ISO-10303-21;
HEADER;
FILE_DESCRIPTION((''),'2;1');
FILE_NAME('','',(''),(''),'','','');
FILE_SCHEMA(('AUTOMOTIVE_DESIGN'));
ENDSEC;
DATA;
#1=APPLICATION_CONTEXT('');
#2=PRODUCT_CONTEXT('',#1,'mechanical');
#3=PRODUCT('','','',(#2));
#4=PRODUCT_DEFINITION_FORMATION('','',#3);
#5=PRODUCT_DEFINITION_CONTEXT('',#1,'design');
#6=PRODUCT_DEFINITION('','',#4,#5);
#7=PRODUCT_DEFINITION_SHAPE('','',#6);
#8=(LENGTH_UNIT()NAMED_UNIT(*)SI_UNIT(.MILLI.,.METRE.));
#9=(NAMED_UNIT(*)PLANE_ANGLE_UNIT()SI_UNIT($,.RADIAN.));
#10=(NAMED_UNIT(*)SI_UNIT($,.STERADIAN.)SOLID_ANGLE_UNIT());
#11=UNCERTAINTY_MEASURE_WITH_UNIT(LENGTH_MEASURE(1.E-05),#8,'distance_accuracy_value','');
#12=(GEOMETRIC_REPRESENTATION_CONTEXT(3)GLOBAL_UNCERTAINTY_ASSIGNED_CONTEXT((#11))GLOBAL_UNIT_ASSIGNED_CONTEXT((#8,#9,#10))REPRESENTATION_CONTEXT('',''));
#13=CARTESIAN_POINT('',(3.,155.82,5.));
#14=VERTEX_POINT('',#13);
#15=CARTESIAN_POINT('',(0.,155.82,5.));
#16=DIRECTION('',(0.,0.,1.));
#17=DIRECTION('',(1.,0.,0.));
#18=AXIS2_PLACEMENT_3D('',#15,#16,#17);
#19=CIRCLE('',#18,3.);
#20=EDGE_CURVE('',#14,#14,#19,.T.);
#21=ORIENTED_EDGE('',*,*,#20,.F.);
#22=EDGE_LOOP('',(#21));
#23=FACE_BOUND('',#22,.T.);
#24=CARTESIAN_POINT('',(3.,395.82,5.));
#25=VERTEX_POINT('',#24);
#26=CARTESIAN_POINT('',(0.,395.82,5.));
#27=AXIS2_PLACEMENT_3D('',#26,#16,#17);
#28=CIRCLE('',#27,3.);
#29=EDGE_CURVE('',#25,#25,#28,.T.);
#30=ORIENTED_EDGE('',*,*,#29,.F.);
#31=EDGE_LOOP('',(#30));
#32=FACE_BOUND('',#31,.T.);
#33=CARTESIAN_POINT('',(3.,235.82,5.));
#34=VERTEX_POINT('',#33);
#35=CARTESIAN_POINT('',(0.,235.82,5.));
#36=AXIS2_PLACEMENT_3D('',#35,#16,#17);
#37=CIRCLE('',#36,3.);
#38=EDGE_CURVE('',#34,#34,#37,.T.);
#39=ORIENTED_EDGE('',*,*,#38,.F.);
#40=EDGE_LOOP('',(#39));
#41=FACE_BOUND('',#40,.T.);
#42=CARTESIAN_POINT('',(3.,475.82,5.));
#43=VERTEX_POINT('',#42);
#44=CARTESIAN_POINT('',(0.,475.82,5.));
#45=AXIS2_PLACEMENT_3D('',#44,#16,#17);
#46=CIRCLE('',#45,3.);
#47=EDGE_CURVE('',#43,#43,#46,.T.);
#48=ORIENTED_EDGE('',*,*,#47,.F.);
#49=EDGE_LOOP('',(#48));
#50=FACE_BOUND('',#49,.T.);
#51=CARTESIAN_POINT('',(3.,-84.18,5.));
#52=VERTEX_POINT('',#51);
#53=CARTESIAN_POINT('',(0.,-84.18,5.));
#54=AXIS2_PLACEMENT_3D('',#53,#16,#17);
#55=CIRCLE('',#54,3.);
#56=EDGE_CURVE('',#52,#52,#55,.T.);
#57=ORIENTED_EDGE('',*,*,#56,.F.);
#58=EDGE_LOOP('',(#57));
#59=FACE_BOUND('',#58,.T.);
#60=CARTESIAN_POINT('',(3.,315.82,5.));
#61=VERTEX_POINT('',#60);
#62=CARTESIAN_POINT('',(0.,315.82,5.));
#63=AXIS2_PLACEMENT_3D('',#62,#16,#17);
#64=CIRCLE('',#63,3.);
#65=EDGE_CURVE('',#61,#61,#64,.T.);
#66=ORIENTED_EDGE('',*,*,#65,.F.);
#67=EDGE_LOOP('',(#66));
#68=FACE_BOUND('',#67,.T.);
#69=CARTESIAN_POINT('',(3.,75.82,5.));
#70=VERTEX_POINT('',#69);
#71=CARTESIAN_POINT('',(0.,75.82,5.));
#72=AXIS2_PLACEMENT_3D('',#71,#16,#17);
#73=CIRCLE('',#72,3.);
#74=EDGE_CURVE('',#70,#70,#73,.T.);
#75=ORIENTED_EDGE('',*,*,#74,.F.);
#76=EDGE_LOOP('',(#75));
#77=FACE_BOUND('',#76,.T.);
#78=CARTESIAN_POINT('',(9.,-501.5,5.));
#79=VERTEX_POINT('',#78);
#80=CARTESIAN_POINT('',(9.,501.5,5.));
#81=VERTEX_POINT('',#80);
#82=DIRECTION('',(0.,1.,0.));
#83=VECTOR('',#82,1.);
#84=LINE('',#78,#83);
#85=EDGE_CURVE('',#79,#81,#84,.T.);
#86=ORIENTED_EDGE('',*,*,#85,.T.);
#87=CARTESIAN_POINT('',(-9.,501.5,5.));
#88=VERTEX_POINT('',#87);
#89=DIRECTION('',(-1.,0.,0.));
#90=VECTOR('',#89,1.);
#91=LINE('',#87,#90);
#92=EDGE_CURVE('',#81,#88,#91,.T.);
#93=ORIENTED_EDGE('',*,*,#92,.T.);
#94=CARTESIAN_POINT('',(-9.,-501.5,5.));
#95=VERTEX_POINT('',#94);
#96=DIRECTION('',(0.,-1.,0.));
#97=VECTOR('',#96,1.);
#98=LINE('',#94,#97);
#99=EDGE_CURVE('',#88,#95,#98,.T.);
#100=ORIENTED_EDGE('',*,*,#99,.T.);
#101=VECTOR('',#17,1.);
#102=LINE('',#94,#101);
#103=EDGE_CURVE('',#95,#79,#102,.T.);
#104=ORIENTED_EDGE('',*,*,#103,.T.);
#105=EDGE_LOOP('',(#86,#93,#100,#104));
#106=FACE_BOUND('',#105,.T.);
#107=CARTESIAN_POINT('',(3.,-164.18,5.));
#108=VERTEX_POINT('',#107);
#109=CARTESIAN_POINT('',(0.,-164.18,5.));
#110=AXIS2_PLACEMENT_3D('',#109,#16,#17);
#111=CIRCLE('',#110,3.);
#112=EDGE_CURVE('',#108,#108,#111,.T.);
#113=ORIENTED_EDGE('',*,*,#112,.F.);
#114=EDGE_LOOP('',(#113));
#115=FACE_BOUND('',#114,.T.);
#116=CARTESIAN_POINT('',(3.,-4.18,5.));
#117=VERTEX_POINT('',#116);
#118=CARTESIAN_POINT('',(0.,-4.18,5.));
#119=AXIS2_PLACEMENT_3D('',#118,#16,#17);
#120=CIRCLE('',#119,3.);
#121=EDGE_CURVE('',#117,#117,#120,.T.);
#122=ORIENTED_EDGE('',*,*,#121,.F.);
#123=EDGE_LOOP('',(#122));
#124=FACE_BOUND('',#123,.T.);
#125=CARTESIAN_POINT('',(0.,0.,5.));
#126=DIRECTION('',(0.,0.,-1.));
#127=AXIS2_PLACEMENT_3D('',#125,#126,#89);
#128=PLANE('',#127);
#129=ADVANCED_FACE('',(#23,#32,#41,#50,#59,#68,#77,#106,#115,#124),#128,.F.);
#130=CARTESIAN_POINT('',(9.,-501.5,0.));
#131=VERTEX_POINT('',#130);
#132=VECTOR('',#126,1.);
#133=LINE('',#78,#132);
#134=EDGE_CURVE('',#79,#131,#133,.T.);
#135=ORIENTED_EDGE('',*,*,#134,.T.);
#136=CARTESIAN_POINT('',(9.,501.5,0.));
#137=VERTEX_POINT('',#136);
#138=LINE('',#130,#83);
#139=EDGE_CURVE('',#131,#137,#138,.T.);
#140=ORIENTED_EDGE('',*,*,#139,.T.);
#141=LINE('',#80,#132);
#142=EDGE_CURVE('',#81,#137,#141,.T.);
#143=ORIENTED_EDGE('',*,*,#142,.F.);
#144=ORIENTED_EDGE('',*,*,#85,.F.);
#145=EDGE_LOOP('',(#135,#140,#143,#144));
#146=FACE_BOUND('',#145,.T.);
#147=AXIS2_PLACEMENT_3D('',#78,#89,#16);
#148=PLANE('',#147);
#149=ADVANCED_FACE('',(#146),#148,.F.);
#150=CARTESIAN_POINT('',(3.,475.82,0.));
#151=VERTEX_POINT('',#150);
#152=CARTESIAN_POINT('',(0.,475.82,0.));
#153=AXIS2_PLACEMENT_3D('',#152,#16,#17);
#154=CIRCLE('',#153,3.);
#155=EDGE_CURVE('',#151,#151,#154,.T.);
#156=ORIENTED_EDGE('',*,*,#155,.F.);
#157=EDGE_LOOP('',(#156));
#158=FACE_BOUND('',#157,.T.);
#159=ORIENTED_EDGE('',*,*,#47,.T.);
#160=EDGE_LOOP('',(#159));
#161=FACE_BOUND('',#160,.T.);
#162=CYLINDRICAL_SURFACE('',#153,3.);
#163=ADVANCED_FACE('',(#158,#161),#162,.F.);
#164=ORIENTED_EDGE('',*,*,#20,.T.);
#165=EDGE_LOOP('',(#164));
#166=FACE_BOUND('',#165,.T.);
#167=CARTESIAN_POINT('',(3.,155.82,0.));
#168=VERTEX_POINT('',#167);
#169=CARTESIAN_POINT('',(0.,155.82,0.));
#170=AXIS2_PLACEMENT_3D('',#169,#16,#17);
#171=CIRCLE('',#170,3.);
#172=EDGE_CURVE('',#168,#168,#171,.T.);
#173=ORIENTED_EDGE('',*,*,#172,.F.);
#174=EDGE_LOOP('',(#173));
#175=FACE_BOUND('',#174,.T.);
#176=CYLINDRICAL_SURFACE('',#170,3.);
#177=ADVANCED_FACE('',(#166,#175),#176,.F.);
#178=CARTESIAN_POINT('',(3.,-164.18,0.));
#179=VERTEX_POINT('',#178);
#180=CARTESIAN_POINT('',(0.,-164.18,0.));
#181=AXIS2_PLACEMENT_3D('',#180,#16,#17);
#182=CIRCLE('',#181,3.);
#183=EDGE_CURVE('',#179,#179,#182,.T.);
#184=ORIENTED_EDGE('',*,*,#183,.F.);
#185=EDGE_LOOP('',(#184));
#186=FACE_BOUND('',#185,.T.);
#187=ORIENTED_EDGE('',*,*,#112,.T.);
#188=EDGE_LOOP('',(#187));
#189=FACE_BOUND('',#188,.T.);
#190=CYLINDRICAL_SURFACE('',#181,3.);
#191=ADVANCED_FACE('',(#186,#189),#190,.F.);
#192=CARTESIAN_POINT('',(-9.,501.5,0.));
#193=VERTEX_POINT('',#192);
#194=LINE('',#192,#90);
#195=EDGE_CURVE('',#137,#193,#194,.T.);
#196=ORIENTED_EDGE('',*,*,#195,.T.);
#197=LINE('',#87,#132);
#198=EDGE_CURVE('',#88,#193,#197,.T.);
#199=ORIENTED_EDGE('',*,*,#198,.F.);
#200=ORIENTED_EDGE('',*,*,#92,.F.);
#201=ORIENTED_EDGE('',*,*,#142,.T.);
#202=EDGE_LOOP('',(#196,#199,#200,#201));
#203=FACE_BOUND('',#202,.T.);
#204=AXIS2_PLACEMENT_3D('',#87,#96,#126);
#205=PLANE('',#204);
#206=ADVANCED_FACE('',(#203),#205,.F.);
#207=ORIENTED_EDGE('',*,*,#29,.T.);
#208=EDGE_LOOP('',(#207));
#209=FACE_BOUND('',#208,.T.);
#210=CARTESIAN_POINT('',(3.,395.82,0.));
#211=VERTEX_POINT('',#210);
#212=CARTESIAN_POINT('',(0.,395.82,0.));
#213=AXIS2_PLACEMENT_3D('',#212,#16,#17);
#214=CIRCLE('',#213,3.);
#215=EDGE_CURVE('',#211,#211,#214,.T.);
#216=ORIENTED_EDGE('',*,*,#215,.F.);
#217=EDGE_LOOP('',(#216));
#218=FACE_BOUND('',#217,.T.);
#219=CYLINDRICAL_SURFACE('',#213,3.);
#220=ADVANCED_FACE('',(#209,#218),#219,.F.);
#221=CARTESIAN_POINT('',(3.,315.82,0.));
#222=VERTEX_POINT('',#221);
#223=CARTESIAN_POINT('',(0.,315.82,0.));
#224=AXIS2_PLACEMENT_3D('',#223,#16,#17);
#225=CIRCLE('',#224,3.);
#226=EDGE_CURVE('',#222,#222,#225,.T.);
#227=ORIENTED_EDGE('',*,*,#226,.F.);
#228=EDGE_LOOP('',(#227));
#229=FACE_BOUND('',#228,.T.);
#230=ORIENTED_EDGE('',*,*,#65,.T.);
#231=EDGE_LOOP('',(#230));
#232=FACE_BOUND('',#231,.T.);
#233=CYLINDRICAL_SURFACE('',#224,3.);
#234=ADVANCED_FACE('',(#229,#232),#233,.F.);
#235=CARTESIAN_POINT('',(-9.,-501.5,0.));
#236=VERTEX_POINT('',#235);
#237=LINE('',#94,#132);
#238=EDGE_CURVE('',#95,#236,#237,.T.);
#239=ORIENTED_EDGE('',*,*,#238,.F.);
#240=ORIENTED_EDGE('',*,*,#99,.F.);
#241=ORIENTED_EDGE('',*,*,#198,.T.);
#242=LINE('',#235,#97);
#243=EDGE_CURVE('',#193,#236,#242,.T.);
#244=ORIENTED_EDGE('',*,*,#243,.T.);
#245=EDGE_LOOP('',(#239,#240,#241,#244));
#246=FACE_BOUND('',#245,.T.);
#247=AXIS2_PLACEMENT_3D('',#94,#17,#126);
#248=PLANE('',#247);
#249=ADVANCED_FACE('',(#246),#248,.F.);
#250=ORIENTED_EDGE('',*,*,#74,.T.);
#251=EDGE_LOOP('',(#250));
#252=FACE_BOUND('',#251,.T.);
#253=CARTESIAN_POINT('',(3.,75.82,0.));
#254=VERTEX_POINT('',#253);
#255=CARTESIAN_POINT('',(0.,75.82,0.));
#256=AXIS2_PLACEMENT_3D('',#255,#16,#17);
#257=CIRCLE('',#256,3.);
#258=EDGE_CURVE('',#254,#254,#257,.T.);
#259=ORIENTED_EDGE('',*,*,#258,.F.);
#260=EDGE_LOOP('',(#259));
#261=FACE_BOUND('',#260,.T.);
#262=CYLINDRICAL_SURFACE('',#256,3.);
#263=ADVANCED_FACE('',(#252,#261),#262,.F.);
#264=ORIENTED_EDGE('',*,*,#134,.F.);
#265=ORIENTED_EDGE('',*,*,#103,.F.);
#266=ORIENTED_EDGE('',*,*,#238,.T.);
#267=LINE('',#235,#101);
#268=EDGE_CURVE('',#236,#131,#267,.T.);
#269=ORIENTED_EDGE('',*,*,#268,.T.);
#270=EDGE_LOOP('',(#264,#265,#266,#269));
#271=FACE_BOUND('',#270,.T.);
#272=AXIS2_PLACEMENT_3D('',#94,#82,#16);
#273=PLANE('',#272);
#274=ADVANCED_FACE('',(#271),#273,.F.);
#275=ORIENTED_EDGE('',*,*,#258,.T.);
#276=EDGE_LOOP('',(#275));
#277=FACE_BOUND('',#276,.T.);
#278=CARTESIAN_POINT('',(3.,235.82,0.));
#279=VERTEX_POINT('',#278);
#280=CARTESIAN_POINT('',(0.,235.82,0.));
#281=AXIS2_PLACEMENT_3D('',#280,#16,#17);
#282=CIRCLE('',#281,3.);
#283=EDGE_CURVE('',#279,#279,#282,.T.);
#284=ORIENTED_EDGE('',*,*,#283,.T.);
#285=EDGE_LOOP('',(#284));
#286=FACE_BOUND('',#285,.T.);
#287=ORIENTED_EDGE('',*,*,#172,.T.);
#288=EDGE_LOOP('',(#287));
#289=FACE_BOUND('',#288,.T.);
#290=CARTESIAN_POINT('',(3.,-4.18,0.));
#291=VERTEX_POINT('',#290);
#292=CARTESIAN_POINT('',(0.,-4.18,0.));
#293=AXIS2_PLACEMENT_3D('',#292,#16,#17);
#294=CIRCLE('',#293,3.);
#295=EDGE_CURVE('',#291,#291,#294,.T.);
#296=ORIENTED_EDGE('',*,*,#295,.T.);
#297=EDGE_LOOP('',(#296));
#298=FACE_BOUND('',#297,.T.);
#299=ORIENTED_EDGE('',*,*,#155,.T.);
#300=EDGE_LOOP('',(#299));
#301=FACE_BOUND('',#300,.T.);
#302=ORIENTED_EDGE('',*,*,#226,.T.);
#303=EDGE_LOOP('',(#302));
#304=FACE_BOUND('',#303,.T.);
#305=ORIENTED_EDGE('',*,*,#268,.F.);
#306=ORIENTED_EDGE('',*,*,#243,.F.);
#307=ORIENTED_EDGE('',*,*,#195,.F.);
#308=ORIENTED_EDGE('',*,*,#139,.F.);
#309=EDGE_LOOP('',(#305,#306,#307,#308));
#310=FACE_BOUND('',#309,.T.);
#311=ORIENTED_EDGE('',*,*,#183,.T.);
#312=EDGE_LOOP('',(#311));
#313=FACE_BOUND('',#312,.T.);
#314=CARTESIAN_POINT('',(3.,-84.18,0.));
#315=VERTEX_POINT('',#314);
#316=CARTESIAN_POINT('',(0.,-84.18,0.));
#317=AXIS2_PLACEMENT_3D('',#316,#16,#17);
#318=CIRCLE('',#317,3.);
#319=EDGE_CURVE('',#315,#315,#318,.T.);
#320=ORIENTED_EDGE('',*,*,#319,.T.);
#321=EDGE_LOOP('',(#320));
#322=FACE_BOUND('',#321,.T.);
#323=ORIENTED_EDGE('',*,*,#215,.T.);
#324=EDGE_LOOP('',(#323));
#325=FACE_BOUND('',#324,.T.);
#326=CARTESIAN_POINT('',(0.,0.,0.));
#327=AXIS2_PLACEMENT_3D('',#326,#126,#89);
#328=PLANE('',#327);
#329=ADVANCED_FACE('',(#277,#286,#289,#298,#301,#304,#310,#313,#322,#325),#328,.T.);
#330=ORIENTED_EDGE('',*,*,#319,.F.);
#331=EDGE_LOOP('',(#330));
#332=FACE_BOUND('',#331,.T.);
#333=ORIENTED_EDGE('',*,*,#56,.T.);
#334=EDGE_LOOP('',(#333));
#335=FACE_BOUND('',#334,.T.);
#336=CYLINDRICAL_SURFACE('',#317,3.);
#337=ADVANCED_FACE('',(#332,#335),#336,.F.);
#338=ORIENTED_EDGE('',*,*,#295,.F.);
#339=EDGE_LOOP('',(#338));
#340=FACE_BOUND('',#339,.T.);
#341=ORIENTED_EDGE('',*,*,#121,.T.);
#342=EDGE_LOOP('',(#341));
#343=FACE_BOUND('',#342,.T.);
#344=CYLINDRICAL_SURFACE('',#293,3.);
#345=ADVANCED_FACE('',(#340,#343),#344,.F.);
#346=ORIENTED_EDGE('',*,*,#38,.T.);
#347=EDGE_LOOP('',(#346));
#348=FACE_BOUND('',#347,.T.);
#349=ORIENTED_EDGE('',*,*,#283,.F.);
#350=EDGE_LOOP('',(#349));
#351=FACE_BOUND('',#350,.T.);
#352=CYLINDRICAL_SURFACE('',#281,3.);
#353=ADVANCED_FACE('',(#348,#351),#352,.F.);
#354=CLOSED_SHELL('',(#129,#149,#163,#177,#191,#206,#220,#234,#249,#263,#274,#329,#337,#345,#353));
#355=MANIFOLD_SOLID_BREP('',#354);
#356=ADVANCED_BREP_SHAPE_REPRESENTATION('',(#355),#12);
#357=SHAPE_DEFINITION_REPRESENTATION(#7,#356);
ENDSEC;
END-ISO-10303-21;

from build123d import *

# Parameters (mm, degrees)
SKETCH1_W           = 18
SKETCH1_H           = 1003
BOSS_EXTRUDE1_DEPTH = 5
SKETCH2_R           = 3
CUT_EXTRUDE1_DEPTH  = 5
LPATTERN1_COUNT     = 9
LPATTERN1_PITCH     = 80


with BuildPart() as part:
    # Sketch1 → Boss-Extrude1 (new body)
    with BuildSketch(Plane.XY):
        Rectangle(SKETCH1_W, SKETCH1_H)
    extrude(amount=BOSS_EXTRUDE1_DEPTH)

    # Sketch2 → Cut-Extrude1 (cut)
    with BuildSketch(Plane.XY.offset(5)):
        with Locations((0, 475.82)):
            Circle(SKETCH2_R)
    cut_extrude1 = extrude(amount=-CUT_EXTRUDE1_DEPTH, mode=Mode.SUBTRACT)

    # LPattern1: Cut-Extrude1 ×9
    with Locations(*[(0, -i * LPATTERN1_PITCH, 0) for i in range(1, LPATTERN1_COUNT)]):
        add(cut_extrude1, mode=Mode.SUBTRACT)


solid = part.part
